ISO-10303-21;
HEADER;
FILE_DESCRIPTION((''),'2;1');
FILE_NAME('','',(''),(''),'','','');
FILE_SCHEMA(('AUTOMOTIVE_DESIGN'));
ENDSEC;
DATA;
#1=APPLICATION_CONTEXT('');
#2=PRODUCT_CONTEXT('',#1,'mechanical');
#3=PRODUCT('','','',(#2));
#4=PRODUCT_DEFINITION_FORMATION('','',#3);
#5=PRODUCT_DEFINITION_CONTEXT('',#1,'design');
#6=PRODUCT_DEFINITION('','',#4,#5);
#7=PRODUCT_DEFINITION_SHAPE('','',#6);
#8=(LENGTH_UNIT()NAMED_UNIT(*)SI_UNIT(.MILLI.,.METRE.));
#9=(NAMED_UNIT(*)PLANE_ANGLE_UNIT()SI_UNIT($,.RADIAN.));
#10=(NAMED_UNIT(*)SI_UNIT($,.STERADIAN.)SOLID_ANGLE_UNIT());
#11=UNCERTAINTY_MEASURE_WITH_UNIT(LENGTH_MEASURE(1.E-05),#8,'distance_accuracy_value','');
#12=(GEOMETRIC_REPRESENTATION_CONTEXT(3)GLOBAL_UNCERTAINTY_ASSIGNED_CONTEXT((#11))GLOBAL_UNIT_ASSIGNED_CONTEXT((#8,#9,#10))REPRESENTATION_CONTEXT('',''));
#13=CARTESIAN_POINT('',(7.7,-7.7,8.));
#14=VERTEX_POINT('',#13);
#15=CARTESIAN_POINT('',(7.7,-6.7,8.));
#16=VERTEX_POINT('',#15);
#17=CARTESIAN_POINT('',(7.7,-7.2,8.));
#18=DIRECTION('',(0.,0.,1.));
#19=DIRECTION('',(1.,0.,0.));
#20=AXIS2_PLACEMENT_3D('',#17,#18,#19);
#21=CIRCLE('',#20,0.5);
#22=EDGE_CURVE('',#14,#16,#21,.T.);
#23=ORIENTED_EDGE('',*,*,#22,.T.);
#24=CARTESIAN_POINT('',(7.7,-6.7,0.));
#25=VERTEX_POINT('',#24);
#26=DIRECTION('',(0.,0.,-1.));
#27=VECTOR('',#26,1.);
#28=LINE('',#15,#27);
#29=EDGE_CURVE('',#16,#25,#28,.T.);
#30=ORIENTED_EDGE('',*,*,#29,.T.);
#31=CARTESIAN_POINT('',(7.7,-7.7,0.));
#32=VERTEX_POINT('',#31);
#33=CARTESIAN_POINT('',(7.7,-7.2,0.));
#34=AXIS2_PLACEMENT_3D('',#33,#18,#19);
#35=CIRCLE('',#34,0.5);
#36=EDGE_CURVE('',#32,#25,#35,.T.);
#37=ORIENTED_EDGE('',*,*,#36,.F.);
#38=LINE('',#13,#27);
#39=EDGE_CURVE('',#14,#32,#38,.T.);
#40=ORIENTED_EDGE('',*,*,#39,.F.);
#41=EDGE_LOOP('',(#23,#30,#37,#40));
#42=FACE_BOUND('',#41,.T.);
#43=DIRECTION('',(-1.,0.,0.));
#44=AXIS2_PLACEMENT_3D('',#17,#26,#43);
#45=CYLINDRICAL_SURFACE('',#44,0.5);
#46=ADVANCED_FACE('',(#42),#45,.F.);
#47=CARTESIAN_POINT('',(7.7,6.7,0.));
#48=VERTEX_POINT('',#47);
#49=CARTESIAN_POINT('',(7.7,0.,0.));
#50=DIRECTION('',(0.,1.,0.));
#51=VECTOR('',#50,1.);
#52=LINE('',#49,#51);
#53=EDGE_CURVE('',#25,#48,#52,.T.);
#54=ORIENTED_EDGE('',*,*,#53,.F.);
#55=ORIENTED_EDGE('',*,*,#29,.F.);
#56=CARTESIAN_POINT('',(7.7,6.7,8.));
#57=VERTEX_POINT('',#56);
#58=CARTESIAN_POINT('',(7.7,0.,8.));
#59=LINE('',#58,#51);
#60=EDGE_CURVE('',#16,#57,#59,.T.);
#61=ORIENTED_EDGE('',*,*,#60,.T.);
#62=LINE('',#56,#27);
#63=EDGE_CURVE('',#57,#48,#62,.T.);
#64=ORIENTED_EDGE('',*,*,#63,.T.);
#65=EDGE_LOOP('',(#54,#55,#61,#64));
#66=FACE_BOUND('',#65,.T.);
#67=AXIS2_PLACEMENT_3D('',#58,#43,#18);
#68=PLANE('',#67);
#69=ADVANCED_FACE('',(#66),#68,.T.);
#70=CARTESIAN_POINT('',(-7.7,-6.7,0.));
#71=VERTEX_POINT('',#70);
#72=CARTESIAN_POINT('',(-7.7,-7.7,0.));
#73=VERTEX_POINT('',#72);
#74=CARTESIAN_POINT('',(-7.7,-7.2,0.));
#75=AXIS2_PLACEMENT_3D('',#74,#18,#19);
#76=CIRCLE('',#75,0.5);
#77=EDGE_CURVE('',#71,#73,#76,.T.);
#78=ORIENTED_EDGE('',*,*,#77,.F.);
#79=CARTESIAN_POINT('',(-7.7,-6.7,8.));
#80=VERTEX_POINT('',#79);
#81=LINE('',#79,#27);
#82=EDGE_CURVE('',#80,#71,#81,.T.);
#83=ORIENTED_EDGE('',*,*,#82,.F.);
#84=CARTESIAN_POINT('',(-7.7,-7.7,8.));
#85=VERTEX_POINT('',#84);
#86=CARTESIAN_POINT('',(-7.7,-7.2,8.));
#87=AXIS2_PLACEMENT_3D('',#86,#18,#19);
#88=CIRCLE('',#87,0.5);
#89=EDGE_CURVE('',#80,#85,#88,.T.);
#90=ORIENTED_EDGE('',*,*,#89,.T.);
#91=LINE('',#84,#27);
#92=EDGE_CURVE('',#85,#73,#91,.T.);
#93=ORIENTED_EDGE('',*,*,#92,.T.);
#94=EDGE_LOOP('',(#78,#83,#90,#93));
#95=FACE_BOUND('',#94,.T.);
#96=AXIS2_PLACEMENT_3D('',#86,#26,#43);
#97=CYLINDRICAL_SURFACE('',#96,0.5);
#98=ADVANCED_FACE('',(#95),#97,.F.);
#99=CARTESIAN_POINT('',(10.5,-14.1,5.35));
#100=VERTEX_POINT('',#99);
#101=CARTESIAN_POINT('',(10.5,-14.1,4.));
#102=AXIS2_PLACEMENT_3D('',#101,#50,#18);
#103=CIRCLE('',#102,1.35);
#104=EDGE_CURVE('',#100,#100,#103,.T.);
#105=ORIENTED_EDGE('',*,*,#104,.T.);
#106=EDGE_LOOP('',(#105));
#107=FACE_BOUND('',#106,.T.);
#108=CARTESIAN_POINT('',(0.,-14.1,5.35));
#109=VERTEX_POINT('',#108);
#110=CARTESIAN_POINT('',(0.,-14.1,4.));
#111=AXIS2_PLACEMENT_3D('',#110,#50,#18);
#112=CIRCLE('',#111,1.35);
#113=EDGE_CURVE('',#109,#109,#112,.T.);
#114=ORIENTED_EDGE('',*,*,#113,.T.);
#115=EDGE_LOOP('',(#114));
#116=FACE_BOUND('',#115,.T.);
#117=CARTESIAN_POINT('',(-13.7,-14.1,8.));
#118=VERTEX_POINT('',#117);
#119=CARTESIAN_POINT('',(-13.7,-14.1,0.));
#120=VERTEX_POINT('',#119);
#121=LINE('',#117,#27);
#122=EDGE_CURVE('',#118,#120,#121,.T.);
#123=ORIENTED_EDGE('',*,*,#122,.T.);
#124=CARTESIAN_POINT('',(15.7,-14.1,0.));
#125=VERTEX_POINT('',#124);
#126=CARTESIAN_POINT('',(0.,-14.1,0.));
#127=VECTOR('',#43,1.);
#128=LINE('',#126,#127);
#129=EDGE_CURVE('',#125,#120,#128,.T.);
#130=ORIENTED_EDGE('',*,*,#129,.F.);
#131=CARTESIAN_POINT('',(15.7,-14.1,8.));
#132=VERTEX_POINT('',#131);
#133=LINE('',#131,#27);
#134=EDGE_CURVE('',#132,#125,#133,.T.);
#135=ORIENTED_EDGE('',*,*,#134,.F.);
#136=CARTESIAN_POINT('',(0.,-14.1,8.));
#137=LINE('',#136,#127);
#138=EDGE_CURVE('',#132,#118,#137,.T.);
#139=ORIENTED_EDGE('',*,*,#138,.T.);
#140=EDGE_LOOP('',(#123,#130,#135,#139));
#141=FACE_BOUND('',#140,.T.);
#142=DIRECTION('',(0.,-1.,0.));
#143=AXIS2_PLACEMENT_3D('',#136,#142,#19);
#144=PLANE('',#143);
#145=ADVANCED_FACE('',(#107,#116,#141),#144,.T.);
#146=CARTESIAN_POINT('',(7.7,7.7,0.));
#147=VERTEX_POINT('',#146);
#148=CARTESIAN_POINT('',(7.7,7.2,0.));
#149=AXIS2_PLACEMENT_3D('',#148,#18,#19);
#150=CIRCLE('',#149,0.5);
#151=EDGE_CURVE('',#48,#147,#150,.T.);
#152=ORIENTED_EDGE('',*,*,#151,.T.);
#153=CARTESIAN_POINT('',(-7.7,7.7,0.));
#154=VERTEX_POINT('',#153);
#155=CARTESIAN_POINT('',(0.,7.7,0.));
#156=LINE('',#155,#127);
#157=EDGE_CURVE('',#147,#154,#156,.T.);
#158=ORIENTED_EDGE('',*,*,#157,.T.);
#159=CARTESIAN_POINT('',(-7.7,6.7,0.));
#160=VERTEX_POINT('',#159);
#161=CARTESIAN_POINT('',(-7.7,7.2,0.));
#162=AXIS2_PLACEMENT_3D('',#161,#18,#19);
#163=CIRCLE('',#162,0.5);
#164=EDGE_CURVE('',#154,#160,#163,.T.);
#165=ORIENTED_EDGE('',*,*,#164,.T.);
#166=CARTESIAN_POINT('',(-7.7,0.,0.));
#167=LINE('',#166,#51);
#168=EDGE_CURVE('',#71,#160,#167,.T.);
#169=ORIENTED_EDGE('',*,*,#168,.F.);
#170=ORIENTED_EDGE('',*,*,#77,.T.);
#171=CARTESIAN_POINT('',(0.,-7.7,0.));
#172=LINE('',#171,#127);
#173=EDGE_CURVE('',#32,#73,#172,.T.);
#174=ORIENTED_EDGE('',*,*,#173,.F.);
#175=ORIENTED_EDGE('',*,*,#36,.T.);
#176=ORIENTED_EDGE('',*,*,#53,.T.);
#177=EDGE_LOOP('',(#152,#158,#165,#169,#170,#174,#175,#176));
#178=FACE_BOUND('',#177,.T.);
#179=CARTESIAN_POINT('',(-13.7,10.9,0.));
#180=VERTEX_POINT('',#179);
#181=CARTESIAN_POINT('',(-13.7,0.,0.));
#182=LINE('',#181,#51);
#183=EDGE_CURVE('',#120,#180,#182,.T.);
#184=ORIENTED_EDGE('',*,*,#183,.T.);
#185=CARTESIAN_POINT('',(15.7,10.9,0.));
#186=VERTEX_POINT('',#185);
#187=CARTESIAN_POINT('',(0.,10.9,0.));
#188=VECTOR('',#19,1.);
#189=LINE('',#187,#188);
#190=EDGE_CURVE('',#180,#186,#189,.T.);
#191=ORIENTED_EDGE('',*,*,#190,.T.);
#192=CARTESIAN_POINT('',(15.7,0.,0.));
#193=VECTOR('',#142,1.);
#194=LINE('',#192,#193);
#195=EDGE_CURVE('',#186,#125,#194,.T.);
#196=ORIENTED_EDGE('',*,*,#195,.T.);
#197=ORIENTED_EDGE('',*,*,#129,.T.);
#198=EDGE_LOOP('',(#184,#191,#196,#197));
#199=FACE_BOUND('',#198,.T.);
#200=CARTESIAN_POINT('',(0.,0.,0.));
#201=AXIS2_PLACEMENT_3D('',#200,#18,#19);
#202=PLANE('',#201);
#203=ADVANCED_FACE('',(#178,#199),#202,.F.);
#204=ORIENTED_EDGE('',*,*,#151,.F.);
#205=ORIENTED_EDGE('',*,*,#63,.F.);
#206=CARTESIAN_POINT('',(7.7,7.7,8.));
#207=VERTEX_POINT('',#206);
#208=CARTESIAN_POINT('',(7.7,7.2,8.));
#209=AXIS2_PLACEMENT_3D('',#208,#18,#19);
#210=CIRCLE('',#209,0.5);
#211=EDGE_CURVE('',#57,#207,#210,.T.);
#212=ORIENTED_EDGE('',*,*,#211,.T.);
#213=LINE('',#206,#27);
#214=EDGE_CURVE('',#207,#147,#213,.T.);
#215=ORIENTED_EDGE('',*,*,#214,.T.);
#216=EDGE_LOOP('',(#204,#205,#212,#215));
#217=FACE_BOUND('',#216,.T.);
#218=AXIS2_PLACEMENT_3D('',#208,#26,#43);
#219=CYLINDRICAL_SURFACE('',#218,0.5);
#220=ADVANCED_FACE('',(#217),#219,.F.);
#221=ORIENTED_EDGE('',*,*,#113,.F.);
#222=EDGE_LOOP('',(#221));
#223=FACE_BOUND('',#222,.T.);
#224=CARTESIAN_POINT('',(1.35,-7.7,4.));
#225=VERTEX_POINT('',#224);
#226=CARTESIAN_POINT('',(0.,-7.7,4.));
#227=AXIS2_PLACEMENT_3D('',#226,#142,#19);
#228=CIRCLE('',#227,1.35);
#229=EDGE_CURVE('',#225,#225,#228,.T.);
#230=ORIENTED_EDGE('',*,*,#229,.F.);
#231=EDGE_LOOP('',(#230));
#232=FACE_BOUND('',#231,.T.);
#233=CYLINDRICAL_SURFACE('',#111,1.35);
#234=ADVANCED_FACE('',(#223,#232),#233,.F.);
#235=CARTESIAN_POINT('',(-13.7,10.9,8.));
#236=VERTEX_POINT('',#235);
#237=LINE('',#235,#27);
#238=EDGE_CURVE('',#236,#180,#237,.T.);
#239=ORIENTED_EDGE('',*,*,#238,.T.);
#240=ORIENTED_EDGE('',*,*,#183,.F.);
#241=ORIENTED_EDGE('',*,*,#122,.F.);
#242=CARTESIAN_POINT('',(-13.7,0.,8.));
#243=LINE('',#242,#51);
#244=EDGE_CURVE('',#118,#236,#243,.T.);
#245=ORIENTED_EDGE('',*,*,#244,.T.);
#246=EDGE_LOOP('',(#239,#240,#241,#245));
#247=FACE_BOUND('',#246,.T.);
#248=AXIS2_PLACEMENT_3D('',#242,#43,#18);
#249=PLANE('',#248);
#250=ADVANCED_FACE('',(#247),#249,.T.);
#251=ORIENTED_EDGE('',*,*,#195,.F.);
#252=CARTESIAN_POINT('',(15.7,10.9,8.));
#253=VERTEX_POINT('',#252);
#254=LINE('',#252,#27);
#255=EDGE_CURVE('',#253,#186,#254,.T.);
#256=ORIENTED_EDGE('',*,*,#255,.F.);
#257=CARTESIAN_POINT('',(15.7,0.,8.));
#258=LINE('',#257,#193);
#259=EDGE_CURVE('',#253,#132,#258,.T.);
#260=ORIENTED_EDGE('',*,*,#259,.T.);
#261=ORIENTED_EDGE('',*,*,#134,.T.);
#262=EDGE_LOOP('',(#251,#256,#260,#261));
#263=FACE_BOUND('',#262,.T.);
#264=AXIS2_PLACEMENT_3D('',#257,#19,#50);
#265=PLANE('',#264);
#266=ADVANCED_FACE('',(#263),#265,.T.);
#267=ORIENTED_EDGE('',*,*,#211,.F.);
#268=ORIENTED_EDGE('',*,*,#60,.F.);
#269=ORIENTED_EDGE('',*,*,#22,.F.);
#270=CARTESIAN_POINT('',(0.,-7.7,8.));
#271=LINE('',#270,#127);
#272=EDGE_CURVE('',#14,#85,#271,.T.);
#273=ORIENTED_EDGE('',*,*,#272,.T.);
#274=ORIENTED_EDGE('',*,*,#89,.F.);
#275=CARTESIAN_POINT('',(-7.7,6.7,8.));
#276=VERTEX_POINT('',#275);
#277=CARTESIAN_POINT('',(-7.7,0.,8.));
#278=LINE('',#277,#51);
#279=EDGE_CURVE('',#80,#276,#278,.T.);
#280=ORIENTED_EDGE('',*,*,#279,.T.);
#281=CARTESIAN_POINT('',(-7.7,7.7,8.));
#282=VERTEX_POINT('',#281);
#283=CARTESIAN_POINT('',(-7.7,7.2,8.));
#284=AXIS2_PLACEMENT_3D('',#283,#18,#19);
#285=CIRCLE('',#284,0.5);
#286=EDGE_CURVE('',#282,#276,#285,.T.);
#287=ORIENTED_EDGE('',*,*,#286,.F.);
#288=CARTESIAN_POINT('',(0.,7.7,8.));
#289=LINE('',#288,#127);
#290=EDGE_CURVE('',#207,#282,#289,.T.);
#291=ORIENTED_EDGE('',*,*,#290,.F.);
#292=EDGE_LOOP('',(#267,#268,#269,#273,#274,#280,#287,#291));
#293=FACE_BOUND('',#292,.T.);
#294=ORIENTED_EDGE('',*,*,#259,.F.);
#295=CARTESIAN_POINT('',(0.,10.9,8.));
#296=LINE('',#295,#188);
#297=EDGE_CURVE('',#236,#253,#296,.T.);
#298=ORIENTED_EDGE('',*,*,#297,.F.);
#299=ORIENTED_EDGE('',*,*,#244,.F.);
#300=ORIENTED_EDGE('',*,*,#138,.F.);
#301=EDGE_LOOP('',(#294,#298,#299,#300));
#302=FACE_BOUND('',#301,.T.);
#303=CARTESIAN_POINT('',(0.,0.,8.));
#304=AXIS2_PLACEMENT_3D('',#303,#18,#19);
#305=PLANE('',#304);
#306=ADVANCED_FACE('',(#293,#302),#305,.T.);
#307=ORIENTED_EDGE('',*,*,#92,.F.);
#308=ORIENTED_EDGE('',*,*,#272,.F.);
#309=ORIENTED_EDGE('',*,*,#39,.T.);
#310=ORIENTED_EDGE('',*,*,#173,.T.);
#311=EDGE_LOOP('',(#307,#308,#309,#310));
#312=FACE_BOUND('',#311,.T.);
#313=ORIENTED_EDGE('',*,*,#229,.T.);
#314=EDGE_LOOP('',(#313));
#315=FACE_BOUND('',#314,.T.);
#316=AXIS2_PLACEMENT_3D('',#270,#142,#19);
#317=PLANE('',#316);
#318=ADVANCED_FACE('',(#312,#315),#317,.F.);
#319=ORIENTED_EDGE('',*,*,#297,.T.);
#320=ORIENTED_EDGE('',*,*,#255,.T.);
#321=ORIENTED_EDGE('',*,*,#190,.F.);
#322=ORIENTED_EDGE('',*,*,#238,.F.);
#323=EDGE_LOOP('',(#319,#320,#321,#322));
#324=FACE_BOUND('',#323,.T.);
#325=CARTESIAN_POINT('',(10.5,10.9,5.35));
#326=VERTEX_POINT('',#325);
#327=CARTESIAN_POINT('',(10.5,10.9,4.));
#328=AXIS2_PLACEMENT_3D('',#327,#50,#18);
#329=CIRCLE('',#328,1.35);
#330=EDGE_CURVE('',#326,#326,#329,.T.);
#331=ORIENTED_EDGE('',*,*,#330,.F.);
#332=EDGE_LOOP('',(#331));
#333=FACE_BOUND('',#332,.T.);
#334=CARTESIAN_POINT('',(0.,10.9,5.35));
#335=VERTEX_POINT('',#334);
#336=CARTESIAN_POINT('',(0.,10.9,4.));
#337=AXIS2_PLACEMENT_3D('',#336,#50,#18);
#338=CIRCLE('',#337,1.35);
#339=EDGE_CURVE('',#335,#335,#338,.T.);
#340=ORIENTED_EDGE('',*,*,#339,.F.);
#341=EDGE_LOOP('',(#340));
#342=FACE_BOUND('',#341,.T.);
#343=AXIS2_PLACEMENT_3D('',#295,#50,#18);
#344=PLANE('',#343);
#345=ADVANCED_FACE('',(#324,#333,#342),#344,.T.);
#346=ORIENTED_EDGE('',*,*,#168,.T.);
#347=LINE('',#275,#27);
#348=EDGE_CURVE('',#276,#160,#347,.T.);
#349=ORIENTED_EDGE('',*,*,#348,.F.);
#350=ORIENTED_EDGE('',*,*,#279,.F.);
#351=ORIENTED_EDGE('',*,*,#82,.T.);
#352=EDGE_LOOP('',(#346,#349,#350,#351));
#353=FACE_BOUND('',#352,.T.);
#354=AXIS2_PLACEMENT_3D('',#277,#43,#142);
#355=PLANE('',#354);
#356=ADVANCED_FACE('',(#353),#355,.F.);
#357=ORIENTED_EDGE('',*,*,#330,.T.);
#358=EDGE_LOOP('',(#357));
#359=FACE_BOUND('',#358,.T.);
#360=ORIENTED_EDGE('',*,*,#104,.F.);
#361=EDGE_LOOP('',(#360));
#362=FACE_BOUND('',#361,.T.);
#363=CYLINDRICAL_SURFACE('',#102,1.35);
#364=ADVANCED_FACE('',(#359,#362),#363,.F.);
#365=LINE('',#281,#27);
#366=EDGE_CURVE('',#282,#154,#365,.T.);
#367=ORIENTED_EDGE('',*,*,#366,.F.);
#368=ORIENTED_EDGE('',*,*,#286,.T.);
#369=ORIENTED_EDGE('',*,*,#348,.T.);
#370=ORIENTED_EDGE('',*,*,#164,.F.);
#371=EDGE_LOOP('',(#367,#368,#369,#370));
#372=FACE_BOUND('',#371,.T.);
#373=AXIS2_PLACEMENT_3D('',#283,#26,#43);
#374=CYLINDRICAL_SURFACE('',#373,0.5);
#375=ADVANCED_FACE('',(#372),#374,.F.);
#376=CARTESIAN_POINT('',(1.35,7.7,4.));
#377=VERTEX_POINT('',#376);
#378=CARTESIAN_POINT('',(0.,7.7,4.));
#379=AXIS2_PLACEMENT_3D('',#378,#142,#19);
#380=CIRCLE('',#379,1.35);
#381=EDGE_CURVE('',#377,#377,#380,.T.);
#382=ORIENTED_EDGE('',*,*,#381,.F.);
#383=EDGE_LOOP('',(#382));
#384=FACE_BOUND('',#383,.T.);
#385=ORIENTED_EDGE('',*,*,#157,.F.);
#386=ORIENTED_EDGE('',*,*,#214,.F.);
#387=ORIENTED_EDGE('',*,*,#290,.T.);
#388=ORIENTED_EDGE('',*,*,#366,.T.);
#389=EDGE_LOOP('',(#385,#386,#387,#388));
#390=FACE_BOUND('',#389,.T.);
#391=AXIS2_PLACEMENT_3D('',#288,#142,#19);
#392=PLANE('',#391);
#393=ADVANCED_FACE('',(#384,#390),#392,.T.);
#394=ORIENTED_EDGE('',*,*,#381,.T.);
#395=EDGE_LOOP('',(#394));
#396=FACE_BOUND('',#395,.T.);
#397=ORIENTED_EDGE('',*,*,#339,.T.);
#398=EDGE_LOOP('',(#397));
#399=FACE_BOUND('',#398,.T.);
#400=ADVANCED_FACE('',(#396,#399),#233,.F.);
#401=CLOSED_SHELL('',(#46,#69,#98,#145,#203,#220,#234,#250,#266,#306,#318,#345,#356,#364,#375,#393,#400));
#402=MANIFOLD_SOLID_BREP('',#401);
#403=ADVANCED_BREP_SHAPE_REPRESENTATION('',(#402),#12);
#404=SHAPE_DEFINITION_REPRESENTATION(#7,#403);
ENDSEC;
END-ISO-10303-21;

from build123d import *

# Parameters (mm, degrees)
SKETCH_2_W               = 29.4
SKETCH_2_H               = 25
EXTRUDE_1_DEPTH          = 8
CUT_EXTRUDE_1_DEPTH      = 31.58578101
CUT_EXTRUDE_1_DEPTH_BACK = 31.58578101
SKETCH_3_R               = 1.35


with BuildPart() as part:
    # 草图2 → 凸台-拉伸1 (new body)
    with BuildSketch(Plane.XY):
        with Locations((1, -1.6)):
            Rectangle(SKETCH_2_W, SKETCH_2_H)
        with BuildLine():
            ThreePointArc((8.2, -7.2), (8.053553391, -7.553553391), (7.7, -7.7))
            Line((7.7, -7.7), (-7.7, -7.7))
            ThreePointArc((-7.7, -7.7), (-8.2, -7.2), (-7.7, -6.7))
            Line((-7.7, -6.7), (-7.7, 6.7))
            ThreePointArc((-7.7, 6.7), (-8.2, 7.2), (-7.7, 7.7))
            Line((-7.7, 7.7), (7.7, 7.7))
            ThreePointArc((7.7, 7.7), (8.053553391, 7.553553391), (8.2, 7.2))
            ThreePointArc((8.2, 7.2), (8.053553391, 6.846446609), (7.7, 6.7))
            Line((7.7, 6.7), (7.7, -6.7))
            ThreePointArc((7.7, -6.7), (8.053553391, -6.846446609), (8.2, -7.2))
        make_face(mode=Mode.SUBTRACT)
    extrude(amount=EXTRUDE_1_DEPTH)

    # 草图3 → 切除-拉伸1 (cut, two sides: drawn at the far end of the back side and taken through both)
    with BuildSketch(Plane(origin=(0, 10.9, 0), x_dir=(1, 0, 0), z_dir=(0, 1, 0)).offset(-CUT_EXTRUDE_1_DEPTH_BACK)):
        with Locations(Location((10.5, -4, 0), (0, 0, 270))):
            Circle(SKETCH_3_R)
        with Locations((21, -4)):
            Circle(SKETCH_3_R)
        with Locations(Location((0, -4, 0), (0, 0, 270))):
            Circle(SKETCH_3_R)
    extrude(amount=CUT_EXTRUDE_1_DEPTH + CUT_EXTRUDE_1_DEPTH_BACK, mode=Mode.SUBTRACT)


solid = part.part
